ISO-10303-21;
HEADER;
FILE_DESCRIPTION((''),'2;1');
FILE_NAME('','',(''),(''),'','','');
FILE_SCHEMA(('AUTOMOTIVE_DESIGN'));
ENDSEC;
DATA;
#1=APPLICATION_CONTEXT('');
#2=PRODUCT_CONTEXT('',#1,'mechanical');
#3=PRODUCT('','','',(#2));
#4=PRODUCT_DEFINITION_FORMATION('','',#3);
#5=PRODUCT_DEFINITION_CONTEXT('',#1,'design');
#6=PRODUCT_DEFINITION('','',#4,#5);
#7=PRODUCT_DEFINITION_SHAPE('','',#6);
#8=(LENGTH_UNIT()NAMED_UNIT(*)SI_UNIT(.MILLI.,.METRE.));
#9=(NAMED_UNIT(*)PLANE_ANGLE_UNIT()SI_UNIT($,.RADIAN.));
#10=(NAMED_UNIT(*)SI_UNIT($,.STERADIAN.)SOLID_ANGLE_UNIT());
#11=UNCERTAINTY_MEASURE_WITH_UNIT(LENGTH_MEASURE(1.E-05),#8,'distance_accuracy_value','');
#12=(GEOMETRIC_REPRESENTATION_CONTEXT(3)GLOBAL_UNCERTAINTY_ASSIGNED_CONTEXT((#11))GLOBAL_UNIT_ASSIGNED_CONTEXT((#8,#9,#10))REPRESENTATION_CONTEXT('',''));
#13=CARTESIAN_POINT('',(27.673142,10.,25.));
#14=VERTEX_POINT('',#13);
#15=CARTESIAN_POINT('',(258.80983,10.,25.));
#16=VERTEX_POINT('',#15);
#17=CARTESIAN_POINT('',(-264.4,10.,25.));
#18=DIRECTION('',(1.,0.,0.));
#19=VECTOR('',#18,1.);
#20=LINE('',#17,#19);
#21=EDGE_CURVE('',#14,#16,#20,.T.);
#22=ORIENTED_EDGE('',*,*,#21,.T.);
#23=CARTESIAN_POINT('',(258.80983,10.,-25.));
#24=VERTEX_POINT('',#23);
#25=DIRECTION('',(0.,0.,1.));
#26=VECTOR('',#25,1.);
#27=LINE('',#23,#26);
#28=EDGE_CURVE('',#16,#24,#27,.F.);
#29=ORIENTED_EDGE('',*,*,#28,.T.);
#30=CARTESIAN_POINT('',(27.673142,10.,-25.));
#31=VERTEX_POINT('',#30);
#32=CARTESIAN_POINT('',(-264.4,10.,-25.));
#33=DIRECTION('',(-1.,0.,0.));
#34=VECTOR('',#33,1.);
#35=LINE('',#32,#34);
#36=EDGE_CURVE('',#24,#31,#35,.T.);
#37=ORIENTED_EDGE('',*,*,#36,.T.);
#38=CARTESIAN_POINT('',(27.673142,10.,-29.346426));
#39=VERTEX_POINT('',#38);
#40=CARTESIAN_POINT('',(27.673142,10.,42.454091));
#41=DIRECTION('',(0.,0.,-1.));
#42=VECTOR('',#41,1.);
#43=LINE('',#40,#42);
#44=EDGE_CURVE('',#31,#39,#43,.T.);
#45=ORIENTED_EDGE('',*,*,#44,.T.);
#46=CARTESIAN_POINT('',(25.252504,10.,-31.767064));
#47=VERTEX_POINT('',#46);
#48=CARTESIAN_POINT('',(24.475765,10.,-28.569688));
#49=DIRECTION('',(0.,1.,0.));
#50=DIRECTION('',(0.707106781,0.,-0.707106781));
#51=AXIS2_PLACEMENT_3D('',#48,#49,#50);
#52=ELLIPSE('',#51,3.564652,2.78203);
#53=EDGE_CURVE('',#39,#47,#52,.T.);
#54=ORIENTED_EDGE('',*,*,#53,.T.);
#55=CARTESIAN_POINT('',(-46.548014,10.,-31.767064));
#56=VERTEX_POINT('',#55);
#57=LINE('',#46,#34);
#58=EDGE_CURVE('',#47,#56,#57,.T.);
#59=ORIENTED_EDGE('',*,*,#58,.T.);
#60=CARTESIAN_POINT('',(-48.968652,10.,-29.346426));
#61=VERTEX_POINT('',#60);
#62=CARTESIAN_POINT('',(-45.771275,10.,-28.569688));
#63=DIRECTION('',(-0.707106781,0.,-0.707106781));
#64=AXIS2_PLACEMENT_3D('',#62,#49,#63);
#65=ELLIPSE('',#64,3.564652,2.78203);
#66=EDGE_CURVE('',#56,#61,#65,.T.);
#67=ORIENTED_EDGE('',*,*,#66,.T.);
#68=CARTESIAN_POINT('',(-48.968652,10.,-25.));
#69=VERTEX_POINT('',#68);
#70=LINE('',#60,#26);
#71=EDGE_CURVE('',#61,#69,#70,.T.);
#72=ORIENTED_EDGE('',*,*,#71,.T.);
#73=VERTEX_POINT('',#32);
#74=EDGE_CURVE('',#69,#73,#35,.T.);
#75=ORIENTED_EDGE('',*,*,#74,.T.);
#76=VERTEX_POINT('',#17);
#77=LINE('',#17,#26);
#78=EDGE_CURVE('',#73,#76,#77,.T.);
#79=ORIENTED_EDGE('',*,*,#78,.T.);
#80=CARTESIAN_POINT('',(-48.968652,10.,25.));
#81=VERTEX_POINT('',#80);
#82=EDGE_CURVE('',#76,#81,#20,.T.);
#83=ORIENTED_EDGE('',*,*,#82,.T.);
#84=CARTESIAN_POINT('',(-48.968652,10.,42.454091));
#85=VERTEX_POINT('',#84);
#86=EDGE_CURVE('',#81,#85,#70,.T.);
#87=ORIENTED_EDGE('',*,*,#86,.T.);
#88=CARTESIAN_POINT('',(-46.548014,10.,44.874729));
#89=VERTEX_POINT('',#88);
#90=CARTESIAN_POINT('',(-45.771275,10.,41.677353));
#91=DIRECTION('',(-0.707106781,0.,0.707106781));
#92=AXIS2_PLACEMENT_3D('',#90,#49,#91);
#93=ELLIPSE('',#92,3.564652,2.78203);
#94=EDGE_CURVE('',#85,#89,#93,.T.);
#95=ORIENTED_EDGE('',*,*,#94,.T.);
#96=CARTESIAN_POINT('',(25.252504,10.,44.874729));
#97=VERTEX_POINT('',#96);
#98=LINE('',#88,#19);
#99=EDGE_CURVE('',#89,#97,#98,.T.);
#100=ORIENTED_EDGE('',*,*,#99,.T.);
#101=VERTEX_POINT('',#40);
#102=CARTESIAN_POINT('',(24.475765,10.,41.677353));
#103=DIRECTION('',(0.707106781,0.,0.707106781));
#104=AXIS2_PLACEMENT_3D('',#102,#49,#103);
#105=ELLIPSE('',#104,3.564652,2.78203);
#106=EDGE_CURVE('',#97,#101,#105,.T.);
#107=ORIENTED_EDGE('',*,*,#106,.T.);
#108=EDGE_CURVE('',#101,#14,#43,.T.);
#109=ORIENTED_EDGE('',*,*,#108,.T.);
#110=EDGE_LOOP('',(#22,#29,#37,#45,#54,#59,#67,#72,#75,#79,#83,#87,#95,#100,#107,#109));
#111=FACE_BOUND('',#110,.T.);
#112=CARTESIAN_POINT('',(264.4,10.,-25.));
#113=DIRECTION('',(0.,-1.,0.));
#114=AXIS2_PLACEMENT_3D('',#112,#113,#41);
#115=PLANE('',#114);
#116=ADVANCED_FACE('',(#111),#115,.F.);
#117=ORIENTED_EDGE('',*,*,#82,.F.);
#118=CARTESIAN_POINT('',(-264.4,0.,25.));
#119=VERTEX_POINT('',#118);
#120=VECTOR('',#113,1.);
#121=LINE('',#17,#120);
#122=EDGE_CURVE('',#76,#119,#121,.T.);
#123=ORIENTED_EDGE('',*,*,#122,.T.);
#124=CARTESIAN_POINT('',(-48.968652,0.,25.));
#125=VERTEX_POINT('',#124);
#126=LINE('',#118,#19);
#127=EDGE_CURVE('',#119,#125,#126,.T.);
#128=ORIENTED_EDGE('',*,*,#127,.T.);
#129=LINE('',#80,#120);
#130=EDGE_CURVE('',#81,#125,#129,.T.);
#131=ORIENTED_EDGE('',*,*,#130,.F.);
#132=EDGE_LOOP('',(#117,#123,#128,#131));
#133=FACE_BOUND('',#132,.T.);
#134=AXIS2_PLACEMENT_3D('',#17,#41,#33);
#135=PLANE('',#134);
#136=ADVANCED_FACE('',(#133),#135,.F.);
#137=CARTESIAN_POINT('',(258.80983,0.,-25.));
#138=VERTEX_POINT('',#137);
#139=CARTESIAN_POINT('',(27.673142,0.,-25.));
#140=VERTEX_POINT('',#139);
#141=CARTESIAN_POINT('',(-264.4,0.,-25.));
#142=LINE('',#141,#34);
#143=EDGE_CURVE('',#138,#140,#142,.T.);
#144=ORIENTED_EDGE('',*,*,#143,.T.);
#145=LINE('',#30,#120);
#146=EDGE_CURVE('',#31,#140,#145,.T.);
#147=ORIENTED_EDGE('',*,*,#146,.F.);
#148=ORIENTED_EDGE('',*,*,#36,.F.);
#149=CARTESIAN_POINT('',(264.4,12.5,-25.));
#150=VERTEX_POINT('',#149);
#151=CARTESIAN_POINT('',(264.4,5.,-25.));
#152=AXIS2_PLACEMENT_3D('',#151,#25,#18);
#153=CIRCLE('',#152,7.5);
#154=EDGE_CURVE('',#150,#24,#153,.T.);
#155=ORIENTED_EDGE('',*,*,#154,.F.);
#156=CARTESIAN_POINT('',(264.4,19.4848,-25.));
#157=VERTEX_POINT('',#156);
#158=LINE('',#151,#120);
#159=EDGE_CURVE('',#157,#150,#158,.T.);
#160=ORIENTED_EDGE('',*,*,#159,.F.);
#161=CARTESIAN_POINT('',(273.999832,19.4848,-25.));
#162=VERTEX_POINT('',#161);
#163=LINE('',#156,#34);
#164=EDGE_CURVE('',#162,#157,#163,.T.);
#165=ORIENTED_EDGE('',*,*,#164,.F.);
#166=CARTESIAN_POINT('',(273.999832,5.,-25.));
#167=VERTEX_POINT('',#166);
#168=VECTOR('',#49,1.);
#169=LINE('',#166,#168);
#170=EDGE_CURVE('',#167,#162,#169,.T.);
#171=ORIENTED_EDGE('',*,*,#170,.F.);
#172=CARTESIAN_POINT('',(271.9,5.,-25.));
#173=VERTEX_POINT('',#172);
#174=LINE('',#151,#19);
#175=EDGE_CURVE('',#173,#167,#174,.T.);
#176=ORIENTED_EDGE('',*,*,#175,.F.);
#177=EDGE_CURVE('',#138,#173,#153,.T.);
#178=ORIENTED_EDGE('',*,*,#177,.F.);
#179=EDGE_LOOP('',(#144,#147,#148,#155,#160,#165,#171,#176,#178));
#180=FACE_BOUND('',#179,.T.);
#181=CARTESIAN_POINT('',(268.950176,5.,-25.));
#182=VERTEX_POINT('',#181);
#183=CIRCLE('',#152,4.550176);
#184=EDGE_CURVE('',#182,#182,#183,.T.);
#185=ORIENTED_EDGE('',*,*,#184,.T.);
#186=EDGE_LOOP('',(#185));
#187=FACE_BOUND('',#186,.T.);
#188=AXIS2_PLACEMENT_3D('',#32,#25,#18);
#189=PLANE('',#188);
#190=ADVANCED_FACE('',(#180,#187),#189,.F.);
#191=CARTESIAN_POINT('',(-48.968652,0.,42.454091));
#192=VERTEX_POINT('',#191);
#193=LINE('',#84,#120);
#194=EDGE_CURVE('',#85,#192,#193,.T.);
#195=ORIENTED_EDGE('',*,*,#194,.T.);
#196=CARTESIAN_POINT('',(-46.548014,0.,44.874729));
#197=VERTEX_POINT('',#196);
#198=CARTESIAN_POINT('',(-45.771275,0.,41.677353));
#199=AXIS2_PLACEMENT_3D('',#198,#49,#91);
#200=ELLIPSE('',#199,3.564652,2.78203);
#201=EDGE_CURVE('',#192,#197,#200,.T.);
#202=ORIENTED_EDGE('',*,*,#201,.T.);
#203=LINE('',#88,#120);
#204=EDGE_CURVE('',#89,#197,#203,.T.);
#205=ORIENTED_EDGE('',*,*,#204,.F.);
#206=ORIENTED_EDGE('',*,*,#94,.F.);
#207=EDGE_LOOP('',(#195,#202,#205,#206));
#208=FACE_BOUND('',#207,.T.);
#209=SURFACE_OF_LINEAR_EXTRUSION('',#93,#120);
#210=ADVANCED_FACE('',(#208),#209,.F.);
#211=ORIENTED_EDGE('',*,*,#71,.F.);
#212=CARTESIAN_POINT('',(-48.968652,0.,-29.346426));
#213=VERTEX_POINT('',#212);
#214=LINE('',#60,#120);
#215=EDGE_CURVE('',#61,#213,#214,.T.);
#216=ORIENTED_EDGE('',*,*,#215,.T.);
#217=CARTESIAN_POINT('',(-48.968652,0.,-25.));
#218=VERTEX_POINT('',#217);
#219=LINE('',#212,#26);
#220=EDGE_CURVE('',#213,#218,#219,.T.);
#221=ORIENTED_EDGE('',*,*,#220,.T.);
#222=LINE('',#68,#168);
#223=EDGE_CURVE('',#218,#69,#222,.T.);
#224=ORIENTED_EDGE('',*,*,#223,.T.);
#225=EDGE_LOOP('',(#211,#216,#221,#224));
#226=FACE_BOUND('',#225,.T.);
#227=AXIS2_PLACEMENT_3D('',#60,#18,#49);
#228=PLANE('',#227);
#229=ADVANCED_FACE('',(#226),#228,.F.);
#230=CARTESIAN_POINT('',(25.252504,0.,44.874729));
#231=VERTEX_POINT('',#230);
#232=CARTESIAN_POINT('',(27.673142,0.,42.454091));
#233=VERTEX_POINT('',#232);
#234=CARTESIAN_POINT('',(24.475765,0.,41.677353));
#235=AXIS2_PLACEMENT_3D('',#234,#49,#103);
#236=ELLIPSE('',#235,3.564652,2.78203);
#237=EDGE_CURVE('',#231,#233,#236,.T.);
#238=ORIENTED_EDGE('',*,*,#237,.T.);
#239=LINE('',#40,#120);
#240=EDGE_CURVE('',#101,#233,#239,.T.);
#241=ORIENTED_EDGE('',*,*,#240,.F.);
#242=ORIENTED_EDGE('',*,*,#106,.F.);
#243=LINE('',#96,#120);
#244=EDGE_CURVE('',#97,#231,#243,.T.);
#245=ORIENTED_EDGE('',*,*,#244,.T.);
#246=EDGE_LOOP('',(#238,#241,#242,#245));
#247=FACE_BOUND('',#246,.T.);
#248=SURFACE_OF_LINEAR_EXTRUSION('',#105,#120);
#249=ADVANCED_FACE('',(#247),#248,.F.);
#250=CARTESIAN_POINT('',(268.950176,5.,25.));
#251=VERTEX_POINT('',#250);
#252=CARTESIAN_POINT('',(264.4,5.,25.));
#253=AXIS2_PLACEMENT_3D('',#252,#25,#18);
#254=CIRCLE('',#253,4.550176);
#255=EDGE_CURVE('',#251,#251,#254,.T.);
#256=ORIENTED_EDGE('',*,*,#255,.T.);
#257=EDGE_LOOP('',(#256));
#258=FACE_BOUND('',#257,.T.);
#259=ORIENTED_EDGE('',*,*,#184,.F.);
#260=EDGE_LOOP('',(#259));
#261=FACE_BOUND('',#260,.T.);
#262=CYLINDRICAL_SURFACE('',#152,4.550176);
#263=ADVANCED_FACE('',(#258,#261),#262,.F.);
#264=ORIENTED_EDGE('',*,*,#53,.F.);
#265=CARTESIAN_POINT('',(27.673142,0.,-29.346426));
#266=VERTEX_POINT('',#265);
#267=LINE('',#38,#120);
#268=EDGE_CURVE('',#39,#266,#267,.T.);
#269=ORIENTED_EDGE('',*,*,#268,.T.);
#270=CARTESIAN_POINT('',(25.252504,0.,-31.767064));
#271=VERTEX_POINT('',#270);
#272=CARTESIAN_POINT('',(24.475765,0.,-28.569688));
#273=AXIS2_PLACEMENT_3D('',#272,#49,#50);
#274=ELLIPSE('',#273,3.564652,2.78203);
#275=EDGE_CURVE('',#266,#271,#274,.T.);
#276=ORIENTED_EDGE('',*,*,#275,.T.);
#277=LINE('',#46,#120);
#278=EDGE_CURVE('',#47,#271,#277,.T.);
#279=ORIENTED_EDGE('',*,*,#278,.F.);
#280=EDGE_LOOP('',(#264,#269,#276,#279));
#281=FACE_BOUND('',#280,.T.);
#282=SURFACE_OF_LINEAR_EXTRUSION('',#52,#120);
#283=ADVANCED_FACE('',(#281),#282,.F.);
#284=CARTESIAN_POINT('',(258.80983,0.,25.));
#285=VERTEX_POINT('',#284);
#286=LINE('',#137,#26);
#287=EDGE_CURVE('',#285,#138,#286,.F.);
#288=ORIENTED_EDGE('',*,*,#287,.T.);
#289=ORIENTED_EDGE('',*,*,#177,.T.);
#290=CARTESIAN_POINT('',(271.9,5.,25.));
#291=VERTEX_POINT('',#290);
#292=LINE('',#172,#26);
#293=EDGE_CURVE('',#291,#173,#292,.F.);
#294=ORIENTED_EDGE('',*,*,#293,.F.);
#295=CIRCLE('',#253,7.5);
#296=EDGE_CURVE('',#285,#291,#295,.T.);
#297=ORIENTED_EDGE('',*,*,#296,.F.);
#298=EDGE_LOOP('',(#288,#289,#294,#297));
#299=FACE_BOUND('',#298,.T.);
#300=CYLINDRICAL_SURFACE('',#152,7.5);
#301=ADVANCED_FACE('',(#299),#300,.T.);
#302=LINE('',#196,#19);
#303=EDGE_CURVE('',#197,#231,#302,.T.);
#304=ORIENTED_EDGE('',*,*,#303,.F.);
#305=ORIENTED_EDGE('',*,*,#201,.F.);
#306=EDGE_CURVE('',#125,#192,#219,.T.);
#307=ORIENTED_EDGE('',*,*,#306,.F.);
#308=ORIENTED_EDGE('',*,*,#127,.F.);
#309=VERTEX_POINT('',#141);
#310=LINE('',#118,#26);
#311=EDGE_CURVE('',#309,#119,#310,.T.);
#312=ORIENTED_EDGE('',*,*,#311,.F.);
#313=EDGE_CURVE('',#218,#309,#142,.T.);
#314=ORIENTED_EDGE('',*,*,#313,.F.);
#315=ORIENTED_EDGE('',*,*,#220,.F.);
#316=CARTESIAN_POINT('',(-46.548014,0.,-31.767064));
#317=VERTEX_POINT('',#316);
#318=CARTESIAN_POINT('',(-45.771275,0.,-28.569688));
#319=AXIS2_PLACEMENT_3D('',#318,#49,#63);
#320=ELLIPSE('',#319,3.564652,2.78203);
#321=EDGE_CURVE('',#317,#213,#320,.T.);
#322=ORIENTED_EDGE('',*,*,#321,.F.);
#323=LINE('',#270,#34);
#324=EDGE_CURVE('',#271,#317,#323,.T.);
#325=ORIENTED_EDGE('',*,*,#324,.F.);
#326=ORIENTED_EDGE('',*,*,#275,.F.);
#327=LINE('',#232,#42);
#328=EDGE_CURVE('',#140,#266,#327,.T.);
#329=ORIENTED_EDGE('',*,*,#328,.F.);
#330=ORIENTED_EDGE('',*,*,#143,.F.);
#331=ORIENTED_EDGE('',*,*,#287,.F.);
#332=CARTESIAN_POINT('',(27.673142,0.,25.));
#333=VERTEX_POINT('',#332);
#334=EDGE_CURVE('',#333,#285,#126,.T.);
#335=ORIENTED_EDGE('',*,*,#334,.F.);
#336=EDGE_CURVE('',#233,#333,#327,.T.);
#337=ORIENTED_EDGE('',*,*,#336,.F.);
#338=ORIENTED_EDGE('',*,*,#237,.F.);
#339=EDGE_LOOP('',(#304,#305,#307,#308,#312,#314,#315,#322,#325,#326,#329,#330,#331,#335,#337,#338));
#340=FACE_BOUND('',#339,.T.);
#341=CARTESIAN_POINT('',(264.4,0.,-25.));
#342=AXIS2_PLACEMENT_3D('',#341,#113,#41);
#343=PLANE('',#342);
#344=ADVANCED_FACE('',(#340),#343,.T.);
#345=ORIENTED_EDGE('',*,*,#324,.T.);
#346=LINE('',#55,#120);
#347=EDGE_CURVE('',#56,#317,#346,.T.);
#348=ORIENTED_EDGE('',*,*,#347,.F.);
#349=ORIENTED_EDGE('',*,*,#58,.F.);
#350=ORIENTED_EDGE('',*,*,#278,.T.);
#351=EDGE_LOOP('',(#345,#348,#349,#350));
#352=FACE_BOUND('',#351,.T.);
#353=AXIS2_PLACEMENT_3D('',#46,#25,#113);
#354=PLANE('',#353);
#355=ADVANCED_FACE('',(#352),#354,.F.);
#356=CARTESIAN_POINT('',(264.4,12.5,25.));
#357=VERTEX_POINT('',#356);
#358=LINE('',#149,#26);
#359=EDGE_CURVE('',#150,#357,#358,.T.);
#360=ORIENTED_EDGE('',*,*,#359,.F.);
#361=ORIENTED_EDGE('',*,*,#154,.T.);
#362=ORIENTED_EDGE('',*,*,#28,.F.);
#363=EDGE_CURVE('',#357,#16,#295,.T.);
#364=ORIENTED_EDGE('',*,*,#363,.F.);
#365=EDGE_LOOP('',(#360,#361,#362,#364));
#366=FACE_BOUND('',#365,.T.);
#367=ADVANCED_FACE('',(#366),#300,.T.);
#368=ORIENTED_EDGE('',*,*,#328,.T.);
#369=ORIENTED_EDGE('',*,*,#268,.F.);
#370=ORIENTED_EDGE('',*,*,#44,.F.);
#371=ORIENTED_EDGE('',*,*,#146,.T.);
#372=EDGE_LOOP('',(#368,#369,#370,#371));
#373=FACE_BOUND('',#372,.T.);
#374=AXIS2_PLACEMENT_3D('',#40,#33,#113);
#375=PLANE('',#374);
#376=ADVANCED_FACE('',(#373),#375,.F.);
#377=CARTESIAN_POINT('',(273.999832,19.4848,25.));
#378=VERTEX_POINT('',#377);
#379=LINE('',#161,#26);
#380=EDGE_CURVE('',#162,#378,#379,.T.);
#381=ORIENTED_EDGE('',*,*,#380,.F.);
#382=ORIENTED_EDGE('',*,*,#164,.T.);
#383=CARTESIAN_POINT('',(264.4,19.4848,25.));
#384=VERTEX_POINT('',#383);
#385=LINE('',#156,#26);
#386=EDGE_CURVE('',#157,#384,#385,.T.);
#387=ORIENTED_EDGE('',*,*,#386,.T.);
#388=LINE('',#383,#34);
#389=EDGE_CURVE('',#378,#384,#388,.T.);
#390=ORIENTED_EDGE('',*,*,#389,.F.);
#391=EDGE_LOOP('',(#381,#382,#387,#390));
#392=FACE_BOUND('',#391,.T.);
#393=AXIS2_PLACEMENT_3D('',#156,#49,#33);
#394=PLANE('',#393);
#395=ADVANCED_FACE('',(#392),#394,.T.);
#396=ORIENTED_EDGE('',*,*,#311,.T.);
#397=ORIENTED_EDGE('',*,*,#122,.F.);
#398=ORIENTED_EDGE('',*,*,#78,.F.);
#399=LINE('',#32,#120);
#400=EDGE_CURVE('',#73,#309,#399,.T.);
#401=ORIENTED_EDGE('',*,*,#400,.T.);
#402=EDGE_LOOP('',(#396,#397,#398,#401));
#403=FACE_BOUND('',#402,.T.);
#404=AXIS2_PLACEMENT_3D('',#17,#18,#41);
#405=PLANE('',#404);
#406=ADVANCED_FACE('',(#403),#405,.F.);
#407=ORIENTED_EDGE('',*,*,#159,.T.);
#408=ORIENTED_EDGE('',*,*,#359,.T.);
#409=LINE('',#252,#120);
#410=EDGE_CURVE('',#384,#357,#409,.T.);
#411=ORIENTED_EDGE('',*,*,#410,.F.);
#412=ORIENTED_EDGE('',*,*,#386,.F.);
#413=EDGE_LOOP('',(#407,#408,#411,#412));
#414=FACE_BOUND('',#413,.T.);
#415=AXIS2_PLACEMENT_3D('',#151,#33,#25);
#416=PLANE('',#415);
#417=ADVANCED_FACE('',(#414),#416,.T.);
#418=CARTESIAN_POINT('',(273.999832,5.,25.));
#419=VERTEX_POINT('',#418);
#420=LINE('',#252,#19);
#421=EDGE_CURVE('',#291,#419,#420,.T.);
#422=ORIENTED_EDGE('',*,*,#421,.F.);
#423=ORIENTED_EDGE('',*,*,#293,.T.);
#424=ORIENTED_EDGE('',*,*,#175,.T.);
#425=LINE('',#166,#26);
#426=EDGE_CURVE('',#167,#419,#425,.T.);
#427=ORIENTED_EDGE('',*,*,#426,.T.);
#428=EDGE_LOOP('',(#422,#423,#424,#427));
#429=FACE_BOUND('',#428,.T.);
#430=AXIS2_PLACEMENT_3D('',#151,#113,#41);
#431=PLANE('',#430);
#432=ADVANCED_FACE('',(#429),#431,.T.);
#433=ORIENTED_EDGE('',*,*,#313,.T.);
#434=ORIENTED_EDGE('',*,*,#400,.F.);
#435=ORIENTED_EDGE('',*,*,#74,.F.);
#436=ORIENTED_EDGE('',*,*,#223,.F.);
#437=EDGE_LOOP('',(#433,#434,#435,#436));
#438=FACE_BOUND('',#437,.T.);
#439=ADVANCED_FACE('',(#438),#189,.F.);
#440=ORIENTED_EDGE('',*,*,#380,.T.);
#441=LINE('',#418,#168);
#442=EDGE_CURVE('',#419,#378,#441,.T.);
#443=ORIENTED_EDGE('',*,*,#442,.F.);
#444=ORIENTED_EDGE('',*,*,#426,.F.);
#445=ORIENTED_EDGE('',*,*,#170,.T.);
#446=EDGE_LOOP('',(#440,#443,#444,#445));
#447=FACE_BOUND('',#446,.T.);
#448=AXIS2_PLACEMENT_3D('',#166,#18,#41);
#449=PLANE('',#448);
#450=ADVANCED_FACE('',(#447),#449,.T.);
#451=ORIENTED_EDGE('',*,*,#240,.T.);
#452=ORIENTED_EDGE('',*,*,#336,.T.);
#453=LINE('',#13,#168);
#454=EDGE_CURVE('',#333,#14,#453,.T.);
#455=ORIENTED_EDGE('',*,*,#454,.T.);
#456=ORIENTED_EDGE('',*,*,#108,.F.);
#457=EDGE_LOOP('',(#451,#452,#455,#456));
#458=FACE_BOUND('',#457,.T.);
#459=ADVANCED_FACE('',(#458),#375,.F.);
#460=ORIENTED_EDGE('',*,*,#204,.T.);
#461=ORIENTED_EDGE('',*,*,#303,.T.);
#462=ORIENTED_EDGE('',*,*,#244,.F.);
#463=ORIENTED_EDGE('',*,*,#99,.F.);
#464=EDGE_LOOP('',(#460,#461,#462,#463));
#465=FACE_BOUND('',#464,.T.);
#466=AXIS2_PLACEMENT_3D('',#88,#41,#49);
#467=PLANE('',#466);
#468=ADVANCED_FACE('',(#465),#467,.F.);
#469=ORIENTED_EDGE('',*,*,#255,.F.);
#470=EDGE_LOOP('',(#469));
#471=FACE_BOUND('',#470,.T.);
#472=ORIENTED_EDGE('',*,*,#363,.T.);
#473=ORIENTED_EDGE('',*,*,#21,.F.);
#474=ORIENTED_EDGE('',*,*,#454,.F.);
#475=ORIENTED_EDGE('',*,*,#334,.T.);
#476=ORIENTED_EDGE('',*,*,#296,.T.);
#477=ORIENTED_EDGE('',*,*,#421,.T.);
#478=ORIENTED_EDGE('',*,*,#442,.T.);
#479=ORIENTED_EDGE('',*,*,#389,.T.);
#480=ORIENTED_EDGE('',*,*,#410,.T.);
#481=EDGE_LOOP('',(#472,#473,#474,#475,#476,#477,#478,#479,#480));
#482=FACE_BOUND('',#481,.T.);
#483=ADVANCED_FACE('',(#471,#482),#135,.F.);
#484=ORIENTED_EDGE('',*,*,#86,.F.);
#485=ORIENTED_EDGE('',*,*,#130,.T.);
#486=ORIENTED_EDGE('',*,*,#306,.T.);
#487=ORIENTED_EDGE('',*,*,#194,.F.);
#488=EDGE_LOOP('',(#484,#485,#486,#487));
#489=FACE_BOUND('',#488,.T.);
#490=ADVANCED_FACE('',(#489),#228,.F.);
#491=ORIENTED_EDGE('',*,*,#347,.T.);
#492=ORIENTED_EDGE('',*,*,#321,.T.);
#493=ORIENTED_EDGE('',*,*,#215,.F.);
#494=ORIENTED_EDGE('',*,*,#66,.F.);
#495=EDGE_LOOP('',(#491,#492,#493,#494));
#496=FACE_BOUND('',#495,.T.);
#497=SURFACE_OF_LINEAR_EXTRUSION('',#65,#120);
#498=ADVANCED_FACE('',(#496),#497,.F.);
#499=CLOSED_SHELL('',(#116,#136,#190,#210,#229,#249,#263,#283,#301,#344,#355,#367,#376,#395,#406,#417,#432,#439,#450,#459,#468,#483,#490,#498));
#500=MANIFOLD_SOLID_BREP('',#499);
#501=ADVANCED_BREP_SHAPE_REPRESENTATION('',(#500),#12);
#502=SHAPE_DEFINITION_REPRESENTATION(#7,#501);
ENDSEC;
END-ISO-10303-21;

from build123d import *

# Parameters (mm, degrees)
SKETCH1_W      = 528.8
SKETCH1_H      = 50
EXTRUDE2_DEPTH = 10
SKETCH2_R      = 7.5
EXTRUDE3_DEPTH = 50
SKETCH3_W      = 9.599831793
SKETCH3_H      = 14.484799928
EXTRUDE4_DEPTH = 50
SKETCH5_R      = 4.55017582
EXTRUDE5_DEPTH = 50
EXTRUDE6_DEPTH = 10


with BuildPart() as part:
    # Sketch1 → Extrude2 (new body)
    with BuildSketch(Plane(origin=(0, 0, 0), x_dir=(1, 0, 0), z_dir=(0, 1, 0))):
        Rectangle(SKETCH1_W, SKETCH1_H)
    extrude(amount=EXTRUDE2_DEPTH)

    # Sketch2 → Extrude3 (add)
    with BuildSketch(Plane.XY.offset(25)):
        with Locations((264.4, 5)):
            Circle(SKETCH2_R)
    extrude(amount=-EXTRUDE3_DEPTH)

    # Sketch3 → Extrude4 (add)
    with BuildSketch(Plane.XY.offset(25)):
        with Locations((269.199915896, 12.242399964)):
            Rectangle(SKETCH3_W, SKETCH3_H)
    extrude(amount=-EXTRUDE4_DEPTH)

    # Sketch5 → Extrude5 (cut)
    with BuildSketch(Plane.XY.offset(25)):
        with Locations((264.4, 5)):
            Circle(SKETCH5_R)
    extrude(amount=-EXTRUDE5_DEPTH, mode=Mode.SUBTRACT)

    # Sketch6 → Extrude6 (add)
    with BuildSketch(Plane(origin=(0, 0, 0), x_dir=(1, 0, 0), z_dir=(0, 1, 0))):
        with BuildLine():
            Line((-48.968651803, 29.346426348), (-48.968651803, -42.454090949))
            add(Edge.make_bspline(
                [(-48.968651803, -42.454090949), (-48.968651803, -44.874729009), (-46.548013742, -44.874729009)],
                knots=[5.620479698, 5.620479698, 5.620479698, 6.945890916, 6.945890916, 6.945890916], degree=2, weights=[1, 0.788330488, 1]))
            Line((-46.548013742, -44.874729009), (25.252503554, -44.874729009))
            add(Edge.make_bspline(
                [(25.252503554, -44.874729009), (27.673141615, -44.874729009), (27.673141615, -42.454090949)],
                knots=[5.620479698, 5.620479698, 5.620479698, 6.945890916, 6.945890916, 6.945890916], degree=2, weights=[1, 0.788330488, 1]))
            Line((27.673141615, -42.454090949), (27.673141615, 29.346426348))
            add(Edge.make_bspline(
                [(27.673141615, 29.346426348), (27.673141615, 31.767064408), (25.252503554, 31.767064408)],
                knots=[5.620479698, 5.620479698, 5.620479698, 6.945890916, 6.945890916, 6.945890916], degree=2, weights=[1, 0.788330488, 1]))
            Line((25.252503554, 31.767064408), (-46.548013742, 31.767064408))
            add(Edge.make_bspline(
                [(-46.548013742, 31.767064408), (-48.968651803, 31.767064408), (-48.968651803, 29.346426348)],
                knots=[5.620479698, 5.620479698, 5.620479698, 6.945890916, 6.945890916, 6.945890916], degree=2, weights=[1, 0.788330488, 1]))
        make_face()
    extrude(amount=EXTRUDE6_DEPTH)


solid = part.part
